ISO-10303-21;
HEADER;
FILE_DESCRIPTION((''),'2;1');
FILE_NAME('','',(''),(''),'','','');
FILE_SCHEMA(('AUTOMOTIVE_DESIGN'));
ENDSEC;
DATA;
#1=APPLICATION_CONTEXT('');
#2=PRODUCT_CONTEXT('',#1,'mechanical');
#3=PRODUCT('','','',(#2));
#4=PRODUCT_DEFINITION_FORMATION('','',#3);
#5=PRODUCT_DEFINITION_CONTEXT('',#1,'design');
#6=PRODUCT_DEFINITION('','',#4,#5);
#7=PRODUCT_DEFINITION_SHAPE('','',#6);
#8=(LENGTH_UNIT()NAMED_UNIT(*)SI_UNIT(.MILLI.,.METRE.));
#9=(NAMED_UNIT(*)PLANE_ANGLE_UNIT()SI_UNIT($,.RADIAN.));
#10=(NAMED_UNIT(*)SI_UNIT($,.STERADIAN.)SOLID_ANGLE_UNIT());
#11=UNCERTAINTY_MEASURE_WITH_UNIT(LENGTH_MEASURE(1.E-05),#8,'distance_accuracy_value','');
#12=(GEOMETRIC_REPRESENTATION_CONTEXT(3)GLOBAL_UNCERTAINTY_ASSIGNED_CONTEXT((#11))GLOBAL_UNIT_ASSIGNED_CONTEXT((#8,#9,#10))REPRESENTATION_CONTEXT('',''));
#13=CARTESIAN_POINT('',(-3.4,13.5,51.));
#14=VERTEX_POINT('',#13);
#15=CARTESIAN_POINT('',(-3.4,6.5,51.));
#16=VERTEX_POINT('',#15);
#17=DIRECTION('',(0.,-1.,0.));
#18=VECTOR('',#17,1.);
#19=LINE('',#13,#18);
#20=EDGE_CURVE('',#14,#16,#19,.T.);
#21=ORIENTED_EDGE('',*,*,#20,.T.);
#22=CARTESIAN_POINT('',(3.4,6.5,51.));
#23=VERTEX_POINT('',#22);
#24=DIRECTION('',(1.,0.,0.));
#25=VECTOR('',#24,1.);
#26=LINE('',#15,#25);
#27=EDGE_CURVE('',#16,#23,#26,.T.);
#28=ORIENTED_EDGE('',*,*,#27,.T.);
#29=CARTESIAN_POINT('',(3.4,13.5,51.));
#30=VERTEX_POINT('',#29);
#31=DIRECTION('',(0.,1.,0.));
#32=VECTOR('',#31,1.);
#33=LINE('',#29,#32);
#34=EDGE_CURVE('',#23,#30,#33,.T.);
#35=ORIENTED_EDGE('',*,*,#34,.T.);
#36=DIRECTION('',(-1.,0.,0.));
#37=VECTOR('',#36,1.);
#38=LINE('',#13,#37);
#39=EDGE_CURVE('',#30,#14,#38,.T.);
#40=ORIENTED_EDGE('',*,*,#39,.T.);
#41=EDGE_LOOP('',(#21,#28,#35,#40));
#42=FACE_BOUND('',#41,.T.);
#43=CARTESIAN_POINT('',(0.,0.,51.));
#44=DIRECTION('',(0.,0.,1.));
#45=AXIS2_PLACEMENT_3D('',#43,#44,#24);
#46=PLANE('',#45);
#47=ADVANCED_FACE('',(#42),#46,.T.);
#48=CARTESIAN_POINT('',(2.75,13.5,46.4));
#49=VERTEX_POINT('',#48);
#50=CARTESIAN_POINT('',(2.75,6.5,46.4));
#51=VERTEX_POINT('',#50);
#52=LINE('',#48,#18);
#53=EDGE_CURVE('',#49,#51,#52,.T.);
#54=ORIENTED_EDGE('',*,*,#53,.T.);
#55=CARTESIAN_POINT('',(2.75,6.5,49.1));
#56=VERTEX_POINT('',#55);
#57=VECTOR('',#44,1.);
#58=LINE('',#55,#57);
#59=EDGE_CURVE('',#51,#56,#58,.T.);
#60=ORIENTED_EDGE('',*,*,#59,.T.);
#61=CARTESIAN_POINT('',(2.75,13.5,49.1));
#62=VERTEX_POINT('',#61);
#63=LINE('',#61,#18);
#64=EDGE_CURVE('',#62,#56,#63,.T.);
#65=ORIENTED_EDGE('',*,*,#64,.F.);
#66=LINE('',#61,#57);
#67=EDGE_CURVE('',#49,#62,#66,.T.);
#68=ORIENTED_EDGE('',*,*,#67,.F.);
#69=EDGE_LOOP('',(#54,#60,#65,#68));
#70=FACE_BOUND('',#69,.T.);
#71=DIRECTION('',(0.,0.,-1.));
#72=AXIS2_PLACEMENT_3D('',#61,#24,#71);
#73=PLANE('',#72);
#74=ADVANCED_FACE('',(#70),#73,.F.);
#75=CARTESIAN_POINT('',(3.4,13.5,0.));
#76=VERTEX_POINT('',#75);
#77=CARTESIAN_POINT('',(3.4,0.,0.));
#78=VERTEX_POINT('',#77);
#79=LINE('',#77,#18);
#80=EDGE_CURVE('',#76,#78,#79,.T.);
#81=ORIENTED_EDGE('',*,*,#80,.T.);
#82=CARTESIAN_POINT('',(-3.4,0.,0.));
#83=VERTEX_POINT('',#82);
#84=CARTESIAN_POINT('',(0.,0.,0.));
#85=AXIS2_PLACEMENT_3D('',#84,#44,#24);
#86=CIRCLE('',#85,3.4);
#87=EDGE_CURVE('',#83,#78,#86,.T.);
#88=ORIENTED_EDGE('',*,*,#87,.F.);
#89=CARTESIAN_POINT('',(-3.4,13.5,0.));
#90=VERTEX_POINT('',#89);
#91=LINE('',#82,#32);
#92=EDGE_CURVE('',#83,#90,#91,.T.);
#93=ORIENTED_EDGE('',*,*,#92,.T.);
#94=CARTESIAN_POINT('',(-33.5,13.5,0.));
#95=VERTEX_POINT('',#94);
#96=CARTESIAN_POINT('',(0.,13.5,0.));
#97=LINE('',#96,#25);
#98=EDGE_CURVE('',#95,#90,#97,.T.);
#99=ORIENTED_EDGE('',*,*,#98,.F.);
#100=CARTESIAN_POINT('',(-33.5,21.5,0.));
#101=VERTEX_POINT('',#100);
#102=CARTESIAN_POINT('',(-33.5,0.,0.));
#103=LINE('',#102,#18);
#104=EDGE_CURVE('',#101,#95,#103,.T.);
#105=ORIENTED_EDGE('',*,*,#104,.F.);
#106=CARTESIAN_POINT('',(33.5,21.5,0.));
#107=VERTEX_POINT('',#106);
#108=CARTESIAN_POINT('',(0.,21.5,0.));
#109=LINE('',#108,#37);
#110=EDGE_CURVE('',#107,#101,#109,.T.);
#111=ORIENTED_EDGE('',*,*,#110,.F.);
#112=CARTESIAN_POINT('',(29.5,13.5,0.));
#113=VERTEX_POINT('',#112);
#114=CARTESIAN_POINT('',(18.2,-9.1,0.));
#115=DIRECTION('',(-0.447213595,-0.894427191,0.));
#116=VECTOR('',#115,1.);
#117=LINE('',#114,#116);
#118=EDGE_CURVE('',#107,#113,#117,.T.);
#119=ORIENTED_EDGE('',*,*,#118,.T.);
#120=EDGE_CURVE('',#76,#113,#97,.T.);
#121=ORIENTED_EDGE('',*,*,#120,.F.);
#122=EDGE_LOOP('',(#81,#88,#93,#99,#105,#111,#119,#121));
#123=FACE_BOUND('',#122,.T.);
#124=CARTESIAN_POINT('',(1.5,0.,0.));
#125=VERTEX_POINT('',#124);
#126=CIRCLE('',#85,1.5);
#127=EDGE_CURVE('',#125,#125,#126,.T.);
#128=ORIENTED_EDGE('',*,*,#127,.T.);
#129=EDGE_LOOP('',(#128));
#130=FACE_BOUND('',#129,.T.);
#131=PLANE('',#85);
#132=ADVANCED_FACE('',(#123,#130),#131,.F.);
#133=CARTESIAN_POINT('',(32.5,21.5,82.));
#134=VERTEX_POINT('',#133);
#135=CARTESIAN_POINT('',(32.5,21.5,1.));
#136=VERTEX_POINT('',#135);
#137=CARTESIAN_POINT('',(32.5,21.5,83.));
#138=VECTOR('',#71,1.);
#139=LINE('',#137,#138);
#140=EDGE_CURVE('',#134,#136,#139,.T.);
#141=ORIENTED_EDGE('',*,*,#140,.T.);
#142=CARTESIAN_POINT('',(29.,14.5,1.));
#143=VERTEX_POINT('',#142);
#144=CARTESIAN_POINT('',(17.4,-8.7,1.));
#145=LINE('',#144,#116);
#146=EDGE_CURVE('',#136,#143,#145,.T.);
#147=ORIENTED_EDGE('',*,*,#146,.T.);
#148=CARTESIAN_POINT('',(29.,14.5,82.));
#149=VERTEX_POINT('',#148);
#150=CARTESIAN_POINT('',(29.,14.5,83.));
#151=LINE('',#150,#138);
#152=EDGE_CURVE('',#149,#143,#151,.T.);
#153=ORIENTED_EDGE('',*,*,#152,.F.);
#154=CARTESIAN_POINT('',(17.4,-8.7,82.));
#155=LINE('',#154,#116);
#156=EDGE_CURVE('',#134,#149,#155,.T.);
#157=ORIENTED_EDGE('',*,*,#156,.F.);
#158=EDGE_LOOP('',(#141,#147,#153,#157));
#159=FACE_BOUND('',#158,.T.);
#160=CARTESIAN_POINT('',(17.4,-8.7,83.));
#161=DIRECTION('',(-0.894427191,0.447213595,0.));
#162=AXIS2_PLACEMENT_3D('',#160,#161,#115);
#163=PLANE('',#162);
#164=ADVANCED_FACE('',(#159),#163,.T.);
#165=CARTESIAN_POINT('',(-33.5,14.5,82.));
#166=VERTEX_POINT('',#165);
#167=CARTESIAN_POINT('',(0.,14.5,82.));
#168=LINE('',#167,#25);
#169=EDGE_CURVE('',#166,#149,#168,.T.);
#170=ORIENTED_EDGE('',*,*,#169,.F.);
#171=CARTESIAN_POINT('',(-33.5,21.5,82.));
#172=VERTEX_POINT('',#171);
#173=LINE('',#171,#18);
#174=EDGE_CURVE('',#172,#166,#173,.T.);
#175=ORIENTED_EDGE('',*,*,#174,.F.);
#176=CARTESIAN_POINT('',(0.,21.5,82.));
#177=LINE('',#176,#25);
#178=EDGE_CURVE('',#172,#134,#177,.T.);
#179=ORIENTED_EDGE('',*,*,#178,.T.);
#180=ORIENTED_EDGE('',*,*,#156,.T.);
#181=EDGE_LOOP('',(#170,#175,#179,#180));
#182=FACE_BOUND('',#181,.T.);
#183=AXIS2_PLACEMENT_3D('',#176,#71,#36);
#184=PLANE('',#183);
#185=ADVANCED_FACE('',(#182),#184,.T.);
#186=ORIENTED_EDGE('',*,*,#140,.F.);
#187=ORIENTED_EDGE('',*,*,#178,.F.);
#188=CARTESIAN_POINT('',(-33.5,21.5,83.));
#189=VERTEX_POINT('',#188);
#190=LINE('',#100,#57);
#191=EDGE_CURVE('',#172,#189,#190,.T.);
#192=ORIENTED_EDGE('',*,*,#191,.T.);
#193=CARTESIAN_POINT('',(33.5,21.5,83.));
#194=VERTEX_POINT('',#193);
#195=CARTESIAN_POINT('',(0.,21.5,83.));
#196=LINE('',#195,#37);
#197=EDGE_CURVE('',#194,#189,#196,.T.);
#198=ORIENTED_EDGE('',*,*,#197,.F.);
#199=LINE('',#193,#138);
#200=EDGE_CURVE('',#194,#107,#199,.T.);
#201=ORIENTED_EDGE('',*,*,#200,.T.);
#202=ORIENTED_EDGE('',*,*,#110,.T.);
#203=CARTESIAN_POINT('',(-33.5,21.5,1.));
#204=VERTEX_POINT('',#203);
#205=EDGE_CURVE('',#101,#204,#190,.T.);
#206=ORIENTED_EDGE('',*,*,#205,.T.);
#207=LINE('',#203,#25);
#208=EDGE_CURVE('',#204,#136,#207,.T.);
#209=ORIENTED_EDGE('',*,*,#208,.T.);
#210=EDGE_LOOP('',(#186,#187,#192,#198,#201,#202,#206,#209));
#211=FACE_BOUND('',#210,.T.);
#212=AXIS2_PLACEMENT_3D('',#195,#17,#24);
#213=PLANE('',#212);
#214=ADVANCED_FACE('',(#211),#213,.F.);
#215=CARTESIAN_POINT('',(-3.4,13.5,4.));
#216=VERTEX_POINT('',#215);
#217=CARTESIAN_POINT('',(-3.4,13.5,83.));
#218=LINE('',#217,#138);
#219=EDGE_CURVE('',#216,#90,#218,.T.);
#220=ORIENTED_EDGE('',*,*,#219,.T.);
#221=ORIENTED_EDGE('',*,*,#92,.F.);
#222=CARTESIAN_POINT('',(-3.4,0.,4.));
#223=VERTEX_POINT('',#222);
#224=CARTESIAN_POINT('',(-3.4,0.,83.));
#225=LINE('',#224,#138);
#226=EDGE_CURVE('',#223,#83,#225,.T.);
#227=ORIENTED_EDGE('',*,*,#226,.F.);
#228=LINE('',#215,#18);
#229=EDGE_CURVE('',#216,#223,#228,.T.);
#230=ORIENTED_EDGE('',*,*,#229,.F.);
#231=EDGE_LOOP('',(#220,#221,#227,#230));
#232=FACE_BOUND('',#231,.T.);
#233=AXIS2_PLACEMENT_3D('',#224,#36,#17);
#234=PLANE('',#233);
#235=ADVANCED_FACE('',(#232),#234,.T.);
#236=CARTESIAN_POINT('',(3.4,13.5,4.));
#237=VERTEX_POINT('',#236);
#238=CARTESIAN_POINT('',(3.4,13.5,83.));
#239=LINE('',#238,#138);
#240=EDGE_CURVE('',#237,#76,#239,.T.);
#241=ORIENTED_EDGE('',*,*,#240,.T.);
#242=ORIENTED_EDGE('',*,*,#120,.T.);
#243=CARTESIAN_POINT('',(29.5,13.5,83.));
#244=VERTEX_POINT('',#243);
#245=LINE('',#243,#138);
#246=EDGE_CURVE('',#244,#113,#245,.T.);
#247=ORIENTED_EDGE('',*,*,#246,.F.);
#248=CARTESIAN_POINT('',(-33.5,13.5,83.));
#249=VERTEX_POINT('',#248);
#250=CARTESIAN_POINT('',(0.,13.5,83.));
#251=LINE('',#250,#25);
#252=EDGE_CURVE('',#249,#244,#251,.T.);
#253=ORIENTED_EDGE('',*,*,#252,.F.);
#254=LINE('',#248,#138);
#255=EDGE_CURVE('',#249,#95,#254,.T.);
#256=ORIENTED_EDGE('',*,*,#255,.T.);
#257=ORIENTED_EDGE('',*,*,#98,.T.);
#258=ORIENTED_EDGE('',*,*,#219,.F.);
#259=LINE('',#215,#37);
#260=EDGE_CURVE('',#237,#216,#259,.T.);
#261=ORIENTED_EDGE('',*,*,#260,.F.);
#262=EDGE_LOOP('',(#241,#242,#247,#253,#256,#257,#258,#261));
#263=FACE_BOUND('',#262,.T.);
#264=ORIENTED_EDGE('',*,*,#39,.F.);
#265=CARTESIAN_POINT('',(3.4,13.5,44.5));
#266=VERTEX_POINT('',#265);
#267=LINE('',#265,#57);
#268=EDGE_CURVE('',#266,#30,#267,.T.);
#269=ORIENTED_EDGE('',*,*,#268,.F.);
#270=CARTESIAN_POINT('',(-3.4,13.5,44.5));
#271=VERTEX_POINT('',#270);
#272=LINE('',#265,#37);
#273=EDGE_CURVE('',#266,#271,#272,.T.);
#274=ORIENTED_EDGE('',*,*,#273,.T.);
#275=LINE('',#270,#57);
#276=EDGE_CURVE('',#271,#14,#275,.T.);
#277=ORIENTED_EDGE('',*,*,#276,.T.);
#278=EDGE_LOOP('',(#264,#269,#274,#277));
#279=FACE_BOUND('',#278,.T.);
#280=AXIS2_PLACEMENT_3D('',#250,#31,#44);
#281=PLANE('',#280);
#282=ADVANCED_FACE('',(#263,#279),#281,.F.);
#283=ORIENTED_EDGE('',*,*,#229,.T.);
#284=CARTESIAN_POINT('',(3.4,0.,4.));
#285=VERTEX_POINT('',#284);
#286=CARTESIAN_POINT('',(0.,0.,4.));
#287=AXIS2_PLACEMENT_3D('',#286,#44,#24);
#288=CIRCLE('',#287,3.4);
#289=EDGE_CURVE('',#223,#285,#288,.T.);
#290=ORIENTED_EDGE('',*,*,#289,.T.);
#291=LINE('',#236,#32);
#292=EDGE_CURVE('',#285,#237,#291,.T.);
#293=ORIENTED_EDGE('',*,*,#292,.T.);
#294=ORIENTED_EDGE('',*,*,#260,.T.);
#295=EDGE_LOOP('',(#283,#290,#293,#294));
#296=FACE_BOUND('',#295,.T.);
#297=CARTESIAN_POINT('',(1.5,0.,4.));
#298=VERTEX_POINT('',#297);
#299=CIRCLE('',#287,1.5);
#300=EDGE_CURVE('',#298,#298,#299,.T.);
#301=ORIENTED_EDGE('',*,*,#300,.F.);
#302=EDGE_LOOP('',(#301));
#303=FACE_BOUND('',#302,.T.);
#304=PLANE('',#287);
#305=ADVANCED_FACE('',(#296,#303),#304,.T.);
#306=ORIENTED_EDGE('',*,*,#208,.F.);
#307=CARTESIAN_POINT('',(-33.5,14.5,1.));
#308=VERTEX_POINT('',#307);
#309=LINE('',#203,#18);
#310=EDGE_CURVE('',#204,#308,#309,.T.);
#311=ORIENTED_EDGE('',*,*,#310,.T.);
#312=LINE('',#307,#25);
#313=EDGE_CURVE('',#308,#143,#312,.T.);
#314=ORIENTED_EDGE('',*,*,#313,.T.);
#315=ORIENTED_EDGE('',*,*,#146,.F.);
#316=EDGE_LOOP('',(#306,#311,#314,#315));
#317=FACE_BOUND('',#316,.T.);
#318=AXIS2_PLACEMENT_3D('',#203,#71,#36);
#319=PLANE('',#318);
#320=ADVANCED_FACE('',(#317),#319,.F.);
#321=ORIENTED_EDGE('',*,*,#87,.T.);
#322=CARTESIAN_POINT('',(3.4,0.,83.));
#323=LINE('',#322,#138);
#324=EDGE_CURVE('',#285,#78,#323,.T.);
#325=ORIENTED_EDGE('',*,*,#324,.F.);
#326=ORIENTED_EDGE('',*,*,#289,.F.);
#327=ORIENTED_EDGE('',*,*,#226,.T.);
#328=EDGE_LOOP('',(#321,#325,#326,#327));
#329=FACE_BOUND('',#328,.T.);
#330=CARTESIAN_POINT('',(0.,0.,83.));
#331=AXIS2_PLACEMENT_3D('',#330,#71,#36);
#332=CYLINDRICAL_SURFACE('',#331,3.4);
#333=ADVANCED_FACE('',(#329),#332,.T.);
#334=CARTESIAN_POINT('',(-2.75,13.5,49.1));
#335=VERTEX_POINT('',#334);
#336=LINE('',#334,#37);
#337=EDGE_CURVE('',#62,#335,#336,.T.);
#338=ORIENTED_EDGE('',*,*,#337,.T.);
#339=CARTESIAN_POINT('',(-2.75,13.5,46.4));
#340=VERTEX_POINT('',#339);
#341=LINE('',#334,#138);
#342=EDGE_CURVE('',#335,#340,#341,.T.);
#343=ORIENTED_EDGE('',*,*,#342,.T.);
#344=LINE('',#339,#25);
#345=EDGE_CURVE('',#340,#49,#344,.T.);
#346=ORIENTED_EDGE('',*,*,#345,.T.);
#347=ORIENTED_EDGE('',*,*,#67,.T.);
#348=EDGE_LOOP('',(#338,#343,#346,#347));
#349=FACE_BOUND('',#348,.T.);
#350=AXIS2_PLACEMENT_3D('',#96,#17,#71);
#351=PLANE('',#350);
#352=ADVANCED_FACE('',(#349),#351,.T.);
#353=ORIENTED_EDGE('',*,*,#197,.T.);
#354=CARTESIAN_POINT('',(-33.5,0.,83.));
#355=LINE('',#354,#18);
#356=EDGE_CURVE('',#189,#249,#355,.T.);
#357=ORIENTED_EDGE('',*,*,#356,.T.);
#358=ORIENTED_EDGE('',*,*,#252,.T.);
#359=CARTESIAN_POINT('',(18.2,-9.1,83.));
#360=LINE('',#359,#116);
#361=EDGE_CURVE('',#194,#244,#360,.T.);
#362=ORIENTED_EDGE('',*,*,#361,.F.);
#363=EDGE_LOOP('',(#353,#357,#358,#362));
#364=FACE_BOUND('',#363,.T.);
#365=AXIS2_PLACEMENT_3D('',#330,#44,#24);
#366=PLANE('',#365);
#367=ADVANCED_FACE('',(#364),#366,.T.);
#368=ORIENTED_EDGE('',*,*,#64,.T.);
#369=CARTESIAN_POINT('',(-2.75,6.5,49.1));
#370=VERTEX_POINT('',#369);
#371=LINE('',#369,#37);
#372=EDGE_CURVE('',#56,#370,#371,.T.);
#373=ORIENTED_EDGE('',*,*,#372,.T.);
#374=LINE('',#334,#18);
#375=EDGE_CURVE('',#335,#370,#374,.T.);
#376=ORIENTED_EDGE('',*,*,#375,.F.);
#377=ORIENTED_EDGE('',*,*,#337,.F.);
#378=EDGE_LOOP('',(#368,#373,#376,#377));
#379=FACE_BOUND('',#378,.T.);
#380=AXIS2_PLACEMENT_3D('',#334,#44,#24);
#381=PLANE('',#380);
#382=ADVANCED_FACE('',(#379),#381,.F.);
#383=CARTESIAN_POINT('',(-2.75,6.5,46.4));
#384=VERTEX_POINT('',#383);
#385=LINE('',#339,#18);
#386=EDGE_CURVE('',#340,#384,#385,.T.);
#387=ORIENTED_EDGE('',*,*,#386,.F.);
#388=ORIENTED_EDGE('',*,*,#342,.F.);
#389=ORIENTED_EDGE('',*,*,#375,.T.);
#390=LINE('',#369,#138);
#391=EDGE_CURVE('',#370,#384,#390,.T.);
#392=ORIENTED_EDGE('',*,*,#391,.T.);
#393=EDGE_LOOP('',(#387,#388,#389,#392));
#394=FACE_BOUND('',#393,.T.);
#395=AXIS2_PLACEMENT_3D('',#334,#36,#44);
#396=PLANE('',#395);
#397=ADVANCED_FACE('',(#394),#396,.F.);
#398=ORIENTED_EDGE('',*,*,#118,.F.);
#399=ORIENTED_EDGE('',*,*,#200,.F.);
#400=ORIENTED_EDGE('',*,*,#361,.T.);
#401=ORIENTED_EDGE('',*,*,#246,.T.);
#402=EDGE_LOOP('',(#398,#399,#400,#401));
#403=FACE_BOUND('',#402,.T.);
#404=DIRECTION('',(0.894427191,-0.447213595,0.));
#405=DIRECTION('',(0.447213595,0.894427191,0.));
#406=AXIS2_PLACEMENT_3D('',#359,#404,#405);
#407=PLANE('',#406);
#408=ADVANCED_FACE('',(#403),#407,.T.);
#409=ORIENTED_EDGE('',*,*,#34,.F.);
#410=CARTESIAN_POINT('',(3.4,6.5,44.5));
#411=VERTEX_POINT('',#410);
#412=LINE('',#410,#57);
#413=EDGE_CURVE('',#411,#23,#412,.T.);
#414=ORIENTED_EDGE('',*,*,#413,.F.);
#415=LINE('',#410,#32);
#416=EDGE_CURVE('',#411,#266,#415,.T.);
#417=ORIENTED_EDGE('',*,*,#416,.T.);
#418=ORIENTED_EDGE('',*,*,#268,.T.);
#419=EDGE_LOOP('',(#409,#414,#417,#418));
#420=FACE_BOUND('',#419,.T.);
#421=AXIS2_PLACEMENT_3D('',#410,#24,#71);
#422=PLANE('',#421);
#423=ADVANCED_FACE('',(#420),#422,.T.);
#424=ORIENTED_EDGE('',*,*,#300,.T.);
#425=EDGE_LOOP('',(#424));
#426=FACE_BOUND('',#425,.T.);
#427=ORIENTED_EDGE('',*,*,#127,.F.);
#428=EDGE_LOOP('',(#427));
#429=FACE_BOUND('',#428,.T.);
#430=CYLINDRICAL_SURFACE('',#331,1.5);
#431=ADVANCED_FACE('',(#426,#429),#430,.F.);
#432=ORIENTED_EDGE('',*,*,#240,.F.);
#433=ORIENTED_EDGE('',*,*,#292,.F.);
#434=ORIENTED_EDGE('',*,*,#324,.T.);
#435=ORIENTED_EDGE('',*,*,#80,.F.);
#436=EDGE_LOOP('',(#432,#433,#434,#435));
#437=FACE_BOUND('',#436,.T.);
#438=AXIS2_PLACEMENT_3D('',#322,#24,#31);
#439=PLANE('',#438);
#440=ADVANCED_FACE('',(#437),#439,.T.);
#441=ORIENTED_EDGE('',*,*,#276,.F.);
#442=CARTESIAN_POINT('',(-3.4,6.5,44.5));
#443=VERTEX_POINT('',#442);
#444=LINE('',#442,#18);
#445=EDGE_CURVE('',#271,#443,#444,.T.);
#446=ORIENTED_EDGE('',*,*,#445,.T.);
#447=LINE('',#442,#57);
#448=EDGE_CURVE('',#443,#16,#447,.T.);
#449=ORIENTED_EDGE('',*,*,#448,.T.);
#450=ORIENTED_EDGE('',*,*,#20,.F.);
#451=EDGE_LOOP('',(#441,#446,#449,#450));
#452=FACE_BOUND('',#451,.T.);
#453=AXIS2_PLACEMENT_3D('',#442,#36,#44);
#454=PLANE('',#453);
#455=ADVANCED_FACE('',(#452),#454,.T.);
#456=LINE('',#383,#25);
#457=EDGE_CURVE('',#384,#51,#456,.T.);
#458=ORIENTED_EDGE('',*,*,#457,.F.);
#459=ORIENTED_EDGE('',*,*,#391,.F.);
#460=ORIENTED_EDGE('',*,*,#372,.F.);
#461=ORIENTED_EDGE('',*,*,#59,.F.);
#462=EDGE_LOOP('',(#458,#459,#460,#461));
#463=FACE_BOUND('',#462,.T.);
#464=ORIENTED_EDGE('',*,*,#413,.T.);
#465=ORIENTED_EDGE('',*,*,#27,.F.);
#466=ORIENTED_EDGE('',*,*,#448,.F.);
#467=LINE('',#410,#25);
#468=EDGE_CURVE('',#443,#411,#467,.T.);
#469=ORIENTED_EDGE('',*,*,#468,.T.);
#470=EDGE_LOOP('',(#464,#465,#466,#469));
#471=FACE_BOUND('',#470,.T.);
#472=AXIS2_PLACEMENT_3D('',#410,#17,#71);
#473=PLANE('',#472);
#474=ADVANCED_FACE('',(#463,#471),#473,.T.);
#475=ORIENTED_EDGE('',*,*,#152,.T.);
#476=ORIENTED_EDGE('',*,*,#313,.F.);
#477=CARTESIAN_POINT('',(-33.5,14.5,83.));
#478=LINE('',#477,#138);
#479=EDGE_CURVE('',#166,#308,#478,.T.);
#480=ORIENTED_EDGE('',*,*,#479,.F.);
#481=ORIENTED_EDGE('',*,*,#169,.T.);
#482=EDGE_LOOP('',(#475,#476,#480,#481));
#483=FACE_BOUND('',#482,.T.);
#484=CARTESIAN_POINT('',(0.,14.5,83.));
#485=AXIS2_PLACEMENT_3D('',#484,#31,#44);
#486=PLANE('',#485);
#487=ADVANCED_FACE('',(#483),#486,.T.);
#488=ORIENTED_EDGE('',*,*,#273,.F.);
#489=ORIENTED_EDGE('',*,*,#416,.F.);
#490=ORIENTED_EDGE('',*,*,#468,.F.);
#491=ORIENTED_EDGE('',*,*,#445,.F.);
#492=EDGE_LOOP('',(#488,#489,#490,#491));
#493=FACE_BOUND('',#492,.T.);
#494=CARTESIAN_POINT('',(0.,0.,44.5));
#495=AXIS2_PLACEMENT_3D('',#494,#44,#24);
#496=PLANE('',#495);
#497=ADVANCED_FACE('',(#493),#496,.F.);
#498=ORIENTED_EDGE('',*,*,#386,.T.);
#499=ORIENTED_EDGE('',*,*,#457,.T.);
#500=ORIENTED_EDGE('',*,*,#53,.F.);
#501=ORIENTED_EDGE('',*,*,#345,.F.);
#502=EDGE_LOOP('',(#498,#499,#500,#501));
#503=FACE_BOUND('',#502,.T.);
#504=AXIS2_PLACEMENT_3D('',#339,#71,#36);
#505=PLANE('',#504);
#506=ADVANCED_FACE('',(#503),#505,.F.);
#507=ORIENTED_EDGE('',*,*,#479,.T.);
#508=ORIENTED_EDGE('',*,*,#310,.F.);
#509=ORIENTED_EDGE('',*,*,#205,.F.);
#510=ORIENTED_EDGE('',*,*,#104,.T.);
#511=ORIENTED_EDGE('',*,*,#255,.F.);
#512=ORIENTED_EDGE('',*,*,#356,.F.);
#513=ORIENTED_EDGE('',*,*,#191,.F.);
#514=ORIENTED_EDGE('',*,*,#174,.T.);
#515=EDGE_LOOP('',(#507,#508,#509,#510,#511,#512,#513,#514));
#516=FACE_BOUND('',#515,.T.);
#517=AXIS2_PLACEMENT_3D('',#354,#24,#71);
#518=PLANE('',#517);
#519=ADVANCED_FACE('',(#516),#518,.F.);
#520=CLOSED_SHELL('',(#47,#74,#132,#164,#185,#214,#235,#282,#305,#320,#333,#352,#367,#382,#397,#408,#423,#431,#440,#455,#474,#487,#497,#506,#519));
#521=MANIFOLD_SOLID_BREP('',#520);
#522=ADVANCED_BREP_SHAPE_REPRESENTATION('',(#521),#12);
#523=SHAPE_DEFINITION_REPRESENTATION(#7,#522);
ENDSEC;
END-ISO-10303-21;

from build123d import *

# Parameters (mm, degrees)
SKETCH_2_R          = 1.5
EXTRUDE_1_DEPTH     = 83
SKETCH_3_W          = 62.5
SKETCH_3_H          = 1
SKETCH_3_W_2        = 4.5
SKETCH_3_W_3        = 67
EXTRUDE_2_DEPTH     = 7
CUT_EXTRUDE_1_DEPTH = 83
SKETCH_5_W          = 6.8
SKETCH_5_H          = 16.9
CUT_EXTRUDE_2_DEPTH = 79
SKETCH_7_W          = 6.8
SKETCH_7_H          = 7
EXTRUDE_3_DEPTH     = 38.5
SKETCH_8_W          = 6.8
SKETCH_8_H          = 7
CUT_EXTRUDE_3_DEPTH = 32
SKETCH_9_W          = 5.5
SKETCH_9_H          = 2.7
CUT_EXTRUDE_4_DEPTH = 7


with BuildPart() as part:
    # Эскиз2 → Бобышка-Вытянуть1 (new body)
    with BuildSketch(Plane.XY):
        with BuildLine():
            Line((29, 14.5), (32.5, 21.5))
            Line((32.5, 21.5), (33.5, 21.5))
            Line((33.5, 21.5), (29.5, 13.5))
            Line((29.5, 13.5), (3.4, 13.5))
            Line((3.4, 13.5), (3.4, 0))
            ThreePointArc((3.4, 0), (0, -3.4), (-3.4, 0))
            Line((-3.4, 0), (-3.4, 13.5))
            Line((-3.4, 13.5), (-33.5, 13.5))
            Line((-33.5, 13.5), (-33.5, 14.5))
            Line((-33.5, 14.5), (-32.5, 14.5))
            Line((-32.5, 14.5), (29, 14.5))
        make_face()
        Circle(SKETCH_2_R, mode=Mode.SUBTRACT)
    extrude(amount=EXTRUDE_1_DEPTH)

    # Эскиз3 → Бобышка-Вытянуть2 (add)
    with BuildSketch(Plane(origin=(0, 14.5, 0), x_dir=(1, 0, 0), z_dir=(0, 1, 0))):
        with Locations((-2.25, -82.5)):
            Rectangle(SKETCH_3_W, SKETCH_3_H)
        with Locations((31.25, -82.5)):
            Rectangle(SKETCH_3_W_2, SKETCH_3_H)
        with Locations((0, -0.5)):
            Rectangle(SKETCH_3_W_3, SKETCH_3_H)
    extrude(amount=EXTRUDE_2_DEPTH)

    # Эскиз4 → Вырез-Вытянуть1 (cut)
    with BuildSketch(Plane.XY.offset(83)):
        Polygon((29.5, 13.5), (33.5, 21.5), (33.5, 14.5), align=None)
    extrude(amount=-CUT_EXTRUDE_1_DEPTH, mode=Mode.SUBTRACT)

    # Эскиз5 → Вырез-Вытянуть2 (cut)
    with BuildSketch(Plane.XY.offset(83)):
        with Locations((0, 5.05)):
            Rectangle(SKETCH_5_W, SKETCH_5_H)
    extrude(amount=-CUT_EXTRUDE_2_DEPTH, mode=Mode.SUBTRACT)

    # Эскиз7 → Бобышка-Вытянуть3 (add)
    with BuildSketch(Plane.XY.offset(83)):
        with Locations((0, 10)):
            Rectangle(SKETCH_7_W, SKETCH_7_H)
    extrude(amount=-EXTRUDE_3_DEPTH)

    # Эскиз8 → Вырез-Вытянуть3 (cut)
    with BuildSketch(Plane.XY.offset(83)):
        with Locations((0, 10)):
            Rectangle(SKETCH_8_W, SKETCH_8_H)
    extrude(amount=-CUT_EXTRUDE_3_DEPTH, mode=Mode.SUBTRACT)

    # Эскиз9 → Вырез-Вытянуть4 (cut)
    with BuildSketch(Plane.XZ.offset(-6.5)):
        with Locations((0, 47.75)):
            Rectangle(SKETCH_9_W, SKETCH_9_H)
    extrude(amount=-CUT_EXTRUDE_4_DEPTH, mode=Mode.SUBTRACT)


solid = part.part
